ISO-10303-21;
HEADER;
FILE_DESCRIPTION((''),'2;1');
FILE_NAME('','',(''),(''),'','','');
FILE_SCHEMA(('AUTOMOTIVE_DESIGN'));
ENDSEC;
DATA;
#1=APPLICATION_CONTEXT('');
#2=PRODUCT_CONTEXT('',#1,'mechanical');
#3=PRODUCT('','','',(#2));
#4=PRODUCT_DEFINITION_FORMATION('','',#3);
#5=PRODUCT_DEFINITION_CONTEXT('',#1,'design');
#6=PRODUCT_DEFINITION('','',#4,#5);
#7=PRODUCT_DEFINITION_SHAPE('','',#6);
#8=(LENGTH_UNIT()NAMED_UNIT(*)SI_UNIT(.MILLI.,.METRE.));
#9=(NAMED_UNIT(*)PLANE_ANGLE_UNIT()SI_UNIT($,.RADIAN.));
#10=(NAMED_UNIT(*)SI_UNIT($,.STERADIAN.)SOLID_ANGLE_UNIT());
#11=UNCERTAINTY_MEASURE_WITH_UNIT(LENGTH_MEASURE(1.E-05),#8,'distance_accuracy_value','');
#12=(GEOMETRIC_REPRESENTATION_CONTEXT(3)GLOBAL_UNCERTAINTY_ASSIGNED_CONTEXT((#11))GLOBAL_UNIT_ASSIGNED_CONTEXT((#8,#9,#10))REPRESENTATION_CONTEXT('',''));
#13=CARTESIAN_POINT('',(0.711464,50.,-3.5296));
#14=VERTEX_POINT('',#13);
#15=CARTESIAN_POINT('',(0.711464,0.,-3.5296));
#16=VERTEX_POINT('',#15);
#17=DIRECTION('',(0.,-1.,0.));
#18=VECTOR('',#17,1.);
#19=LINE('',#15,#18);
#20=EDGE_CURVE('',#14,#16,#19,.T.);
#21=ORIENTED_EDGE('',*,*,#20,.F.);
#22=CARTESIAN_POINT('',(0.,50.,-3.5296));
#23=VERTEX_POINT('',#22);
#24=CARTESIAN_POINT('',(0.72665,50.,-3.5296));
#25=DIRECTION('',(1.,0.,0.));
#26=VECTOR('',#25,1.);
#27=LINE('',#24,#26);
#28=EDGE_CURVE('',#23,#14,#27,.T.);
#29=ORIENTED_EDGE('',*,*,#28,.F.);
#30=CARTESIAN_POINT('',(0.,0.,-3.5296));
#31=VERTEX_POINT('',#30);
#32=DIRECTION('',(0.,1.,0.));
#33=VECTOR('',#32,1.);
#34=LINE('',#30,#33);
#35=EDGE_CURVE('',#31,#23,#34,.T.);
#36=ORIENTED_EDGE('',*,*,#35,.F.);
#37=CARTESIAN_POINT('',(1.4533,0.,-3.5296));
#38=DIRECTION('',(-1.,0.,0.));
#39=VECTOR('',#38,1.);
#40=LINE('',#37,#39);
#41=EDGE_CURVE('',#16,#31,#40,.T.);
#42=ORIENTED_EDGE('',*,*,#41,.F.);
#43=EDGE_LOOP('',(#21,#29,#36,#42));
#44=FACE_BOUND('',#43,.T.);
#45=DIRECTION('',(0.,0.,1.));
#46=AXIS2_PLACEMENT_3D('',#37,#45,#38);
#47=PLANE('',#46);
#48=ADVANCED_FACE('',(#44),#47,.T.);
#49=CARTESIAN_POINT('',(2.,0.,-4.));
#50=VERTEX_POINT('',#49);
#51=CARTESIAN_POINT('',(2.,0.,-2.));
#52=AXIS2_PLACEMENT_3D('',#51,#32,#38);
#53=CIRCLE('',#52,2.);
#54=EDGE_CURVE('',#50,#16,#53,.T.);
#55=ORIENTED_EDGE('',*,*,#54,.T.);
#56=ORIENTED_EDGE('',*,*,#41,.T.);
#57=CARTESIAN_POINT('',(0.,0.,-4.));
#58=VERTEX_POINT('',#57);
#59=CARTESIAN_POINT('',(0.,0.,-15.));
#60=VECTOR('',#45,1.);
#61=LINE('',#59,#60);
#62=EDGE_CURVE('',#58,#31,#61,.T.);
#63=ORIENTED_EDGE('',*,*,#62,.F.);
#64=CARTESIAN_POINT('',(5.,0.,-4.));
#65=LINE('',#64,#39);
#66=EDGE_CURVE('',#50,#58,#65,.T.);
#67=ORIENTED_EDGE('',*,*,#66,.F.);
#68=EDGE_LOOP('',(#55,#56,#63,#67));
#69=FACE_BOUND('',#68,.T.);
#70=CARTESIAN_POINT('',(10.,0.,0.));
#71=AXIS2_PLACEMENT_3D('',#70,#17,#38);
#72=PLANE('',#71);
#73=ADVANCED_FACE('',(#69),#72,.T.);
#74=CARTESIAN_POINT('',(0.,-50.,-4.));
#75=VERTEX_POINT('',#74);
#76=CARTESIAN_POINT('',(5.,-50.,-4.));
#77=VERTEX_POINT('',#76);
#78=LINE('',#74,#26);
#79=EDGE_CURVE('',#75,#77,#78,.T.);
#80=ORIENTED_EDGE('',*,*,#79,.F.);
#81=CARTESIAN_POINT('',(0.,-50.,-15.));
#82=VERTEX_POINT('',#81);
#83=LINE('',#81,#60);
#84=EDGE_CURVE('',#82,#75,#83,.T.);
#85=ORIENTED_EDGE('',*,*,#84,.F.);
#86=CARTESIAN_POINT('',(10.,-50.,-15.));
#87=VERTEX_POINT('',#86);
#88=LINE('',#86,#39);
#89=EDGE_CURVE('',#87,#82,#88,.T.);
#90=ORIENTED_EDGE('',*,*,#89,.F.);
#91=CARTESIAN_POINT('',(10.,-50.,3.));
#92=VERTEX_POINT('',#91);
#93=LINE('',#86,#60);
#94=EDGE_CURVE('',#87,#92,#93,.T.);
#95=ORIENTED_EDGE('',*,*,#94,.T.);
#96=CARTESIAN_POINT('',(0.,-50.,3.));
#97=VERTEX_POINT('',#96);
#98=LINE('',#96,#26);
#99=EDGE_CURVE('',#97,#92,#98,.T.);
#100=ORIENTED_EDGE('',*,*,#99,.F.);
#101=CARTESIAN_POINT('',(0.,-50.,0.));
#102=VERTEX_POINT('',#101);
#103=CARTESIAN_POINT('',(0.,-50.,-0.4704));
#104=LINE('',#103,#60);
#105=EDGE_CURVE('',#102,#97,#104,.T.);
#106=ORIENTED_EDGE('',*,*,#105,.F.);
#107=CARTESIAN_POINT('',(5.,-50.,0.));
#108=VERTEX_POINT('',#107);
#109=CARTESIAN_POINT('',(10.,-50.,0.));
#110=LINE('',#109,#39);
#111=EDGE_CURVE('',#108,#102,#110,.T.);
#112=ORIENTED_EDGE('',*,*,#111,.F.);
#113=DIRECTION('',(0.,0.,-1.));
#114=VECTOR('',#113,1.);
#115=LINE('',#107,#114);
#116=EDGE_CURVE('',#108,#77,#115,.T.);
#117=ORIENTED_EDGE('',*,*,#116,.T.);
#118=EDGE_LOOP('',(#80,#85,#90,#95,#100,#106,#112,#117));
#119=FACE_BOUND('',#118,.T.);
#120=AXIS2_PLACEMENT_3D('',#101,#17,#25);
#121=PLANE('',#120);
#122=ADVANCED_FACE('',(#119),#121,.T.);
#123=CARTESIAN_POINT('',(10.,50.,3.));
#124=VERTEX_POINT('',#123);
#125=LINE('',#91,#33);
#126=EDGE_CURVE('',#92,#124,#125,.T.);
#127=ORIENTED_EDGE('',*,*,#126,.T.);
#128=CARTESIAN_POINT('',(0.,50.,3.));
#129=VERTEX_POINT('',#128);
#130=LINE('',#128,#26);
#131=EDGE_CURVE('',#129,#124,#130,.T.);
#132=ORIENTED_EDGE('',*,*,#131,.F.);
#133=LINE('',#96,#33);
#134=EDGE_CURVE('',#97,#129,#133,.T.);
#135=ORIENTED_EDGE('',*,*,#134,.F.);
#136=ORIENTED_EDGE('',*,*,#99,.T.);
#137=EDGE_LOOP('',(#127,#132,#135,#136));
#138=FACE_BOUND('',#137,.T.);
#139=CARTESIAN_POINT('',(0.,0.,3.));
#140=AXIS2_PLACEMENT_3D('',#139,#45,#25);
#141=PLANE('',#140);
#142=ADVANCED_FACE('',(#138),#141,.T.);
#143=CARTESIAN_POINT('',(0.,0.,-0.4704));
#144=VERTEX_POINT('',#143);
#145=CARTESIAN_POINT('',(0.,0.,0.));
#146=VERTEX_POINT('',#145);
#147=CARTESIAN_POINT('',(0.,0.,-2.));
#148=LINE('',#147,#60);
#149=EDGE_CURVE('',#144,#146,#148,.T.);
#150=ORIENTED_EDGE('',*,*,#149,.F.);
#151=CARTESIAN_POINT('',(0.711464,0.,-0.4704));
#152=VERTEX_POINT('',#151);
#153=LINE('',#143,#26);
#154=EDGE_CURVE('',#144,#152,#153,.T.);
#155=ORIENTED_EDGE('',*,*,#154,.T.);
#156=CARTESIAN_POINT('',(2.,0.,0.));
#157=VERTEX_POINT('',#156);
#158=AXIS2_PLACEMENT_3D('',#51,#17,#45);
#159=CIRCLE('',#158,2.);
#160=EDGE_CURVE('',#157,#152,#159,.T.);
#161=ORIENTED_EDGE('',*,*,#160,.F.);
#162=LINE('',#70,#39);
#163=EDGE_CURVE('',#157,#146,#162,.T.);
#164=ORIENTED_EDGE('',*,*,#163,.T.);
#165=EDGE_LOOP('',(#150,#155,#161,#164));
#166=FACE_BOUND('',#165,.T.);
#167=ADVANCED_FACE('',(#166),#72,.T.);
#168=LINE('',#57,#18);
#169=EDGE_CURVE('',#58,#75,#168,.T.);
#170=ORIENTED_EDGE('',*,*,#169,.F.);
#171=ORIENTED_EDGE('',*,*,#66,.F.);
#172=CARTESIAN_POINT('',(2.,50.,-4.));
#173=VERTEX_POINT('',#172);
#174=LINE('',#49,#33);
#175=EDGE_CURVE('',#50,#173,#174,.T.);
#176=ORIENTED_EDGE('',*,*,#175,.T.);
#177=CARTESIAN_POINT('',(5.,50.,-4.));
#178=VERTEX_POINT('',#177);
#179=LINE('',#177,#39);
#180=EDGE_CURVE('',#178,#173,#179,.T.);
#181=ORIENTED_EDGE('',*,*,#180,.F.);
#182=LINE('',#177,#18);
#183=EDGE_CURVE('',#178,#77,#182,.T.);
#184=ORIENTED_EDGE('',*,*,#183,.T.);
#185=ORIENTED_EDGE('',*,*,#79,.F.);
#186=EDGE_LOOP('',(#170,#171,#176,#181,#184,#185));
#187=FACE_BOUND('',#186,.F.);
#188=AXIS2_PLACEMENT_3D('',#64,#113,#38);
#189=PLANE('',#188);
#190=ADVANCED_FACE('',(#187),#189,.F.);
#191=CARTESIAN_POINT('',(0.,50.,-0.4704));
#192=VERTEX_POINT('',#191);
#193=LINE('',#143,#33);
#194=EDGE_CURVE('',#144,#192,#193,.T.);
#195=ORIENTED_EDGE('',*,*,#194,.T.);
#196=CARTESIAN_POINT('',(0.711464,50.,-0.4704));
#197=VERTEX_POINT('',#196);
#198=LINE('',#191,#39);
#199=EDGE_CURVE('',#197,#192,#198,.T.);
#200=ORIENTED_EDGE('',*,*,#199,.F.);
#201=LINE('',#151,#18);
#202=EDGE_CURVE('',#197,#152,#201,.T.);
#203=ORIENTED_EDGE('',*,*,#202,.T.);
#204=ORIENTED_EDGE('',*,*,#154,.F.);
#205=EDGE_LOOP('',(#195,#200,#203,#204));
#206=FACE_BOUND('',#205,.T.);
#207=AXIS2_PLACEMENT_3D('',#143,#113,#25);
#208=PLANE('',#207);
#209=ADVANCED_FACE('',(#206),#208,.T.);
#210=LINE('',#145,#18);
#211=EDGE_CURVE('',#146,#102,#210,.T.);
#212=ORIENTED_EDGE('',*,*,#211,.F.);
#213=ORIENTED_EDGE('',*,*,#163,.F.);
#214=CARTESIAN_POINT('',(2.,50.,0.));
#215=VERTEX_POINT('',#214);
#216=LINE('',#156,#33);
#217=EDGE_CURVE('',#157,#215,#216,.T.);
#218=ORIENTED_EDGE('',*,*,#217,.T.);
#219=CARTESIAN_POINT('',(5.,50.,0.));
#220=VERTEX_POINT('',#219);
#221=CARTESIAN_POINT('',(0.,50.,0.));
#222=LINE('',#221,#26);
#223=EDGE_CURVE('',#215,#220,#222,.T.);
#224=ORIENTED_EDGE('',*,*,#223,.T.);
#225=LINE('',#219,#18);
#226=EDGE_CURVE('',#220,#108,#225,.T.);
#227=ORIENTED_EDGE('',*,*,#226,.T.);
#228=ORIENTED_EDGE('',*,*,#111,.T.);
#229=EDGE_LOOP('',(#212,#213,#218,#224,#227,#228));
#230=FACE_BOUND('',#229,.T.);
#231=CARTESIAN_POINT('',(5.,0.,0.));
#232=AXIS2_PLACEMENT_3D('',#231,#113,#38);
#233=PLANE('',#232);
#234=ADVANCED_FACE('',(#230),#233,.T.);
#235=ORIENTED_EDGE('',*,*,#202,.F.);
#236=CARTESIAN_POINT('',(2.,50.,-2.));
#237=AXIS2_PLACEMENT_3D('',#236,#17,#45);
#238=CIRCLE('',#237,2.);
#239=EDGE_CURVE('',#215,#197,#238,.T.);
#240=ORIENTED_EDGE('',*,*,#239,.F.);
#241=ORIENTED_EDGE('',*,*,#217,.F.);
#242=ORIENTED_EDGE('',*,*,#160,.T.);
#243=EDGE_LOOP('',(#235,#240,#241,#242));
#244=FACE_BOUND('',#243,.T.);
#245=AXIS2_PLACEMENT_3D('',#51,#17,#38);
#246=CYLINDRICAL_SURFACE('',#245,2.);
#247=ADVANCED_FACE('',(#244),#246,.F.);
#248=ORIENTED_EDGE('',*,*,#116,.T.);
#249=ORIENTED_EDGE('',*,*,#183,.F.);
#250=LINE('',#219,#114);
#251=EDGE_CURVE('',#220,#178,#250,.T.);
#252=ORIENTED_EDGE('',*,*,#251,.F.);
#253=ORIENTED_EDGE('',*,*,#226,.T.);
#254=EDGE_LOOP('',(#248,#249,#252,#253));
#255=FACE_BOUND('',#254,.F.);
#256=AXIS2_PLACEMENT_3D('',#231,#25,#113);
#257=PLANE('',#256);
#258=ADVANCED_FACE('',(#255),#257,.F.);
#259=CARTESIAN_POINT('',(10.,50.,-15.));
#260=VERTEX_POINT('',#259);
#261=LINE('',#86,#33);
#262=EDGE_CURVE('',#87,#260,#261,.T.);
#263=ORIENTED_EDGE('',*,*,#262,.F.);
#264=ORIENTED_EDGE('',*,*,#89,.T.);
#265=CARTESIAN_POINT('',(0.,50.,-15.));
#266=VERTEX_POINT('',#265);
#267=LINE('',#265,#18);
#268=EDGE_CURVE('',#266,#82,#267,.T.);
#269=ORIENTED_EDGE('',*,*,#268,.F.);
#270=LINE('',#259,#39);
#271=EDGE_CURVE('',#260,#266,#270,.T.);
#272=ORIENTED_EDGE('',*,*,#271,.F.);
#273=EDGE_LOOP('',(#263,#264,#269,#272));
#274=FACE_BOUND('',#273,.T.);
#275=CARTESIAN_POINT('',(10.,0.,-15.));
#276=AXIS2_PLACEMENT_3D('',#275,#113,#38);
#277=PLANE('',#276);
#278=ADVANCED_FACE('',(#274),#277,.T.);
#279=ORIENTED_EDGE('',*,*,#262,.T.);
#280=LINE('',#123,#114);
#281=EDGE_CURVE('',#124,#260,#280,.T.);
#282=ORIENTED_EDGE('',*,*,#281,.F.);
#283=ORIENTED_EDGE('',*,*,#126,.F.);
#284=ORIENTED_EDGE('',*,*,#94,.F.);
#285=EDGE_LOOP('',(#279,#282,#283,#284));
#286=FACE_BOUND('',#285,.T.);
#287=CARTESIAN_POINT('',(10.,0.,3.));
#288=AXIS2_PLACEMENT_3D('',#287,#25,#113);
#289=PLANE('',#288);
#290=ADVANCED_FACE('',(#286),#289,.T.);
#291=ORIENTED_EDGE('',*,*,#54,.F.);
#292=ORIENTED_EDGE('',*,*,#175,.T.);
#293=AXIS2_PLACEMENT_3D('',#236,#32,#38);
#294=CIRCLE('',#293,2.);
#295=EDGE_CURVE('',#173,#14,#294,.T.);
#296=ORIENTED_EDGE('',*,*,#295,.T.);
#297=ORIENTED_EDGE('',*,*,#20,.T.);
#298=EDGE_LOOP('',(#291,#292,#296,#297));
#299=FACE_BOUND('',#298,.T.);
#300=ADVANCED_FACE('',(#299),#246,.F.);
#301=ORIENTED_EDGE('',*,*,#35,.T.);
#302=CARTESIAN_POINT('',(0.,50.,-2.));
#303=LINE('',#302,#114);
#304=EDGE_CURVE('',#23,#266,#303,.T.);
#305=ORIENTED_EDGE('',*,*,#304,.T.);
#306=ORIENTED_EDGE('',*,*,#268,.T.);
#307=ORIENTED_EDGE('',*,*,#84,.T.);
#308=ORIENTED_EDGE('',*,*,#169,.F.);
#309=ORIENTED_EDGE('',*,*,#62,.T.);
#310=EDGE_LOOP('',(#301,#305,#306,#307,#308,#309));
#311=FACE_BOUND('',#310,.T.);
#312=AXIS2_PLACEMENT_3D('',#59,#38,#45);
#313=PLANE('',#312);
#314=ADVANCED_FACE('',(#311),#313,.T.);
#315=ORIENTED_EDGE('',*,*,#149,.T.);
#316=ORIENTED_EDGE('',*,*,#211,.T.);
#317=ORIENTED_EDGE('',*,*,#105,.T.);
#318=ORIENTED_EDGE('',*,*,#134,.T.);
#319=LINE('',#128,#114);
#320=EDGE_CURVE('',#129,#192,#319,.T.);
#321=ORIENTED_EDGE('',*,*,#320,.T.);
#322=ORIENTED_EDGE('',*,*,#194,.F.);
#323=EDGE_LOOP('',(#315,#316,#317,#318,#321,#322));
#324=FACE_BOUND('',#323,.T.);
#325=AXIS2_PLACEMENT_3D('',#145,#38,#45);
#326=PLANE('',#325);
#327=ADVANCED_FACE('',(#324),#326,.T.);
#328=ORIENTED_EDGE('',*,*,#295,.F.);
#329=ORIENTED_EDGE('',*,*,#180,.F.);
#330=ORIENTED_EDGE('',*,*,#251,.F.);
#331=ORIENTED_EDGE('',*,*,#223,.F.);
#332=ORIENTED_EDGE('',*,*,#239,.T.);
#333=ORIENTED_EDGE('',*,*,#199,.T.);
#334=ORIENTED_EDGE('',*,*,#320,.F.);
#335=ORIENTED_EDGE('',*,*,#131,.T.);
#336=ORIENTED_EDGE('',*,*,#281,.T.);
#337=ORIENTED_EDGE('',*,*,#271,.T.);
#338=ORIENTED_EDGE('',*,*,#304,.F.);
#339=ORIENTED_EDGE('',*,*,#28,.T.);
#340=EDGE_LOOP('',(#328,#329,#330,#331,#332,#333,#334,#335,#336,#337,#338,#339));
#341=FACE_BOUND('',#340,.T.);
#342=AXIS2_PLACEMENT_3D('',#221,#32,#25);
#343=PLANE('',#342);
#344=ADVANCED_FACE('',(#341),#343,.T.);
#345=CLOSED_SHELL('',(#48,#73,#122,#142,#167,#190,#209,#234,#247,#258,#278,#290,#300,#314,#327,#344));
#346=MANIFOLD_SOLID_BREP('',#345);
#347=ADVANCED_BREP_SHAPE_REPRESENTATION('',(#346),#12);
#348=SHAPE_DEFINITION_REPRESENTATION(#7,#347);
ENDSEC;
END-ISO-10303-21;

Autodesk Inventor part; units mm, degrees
ref_plane "YZ Plane" through (0, 0, 0) normal (1, 0, 0) x (0, 1, 0)
ref_plane "XZ Plane" through (0, 0, 0) normal (0, 1, 0) x (-1, 0, 0)
ref_plane "XY Plane" through (0, 0, 0) normal (0, 0, 1) x (1, 0, 0)
sketch "Sketch1" plane through (0, 0, 0) normal (0, 1, 0) x (-1, 0, 0)
  point P0 (0, 0)
sketch "Sketch2" plane through (0, 0, 0) normal (0, 1, 0) x (-1, 0, 0)
  line L0 (0, 0) -> (-5, 0)
  line L1 (-5, 0) -> (-5, -4)
  line L2 (-5, -4) -> (0, -4)
  line L3 (0, -4) -> (0, 0)
  line L4 (0, 0) -> (-10, 0)
  line L5 (-10, 0) -> (-10, -15)
  line L6 (-10, -15) -> (0, -15)
  line L7 (0, -15) -> (0, 0)
  circle A0 centre (-2, -2) radius 2
  point P0 (-2, 0)
  point P1 (0, -2)
  point P2 (-2, -4)
  dimension "d0" = 5
  dimension "d1" = 4
  dimension "d2" = 10
  dimension "d3" = 15
sketch "Sketch3" plane through (0, 0, 0) normal (0, 1, 0) x (-1, 0, 0)
  line L0 (0, 0) -> (0, -4.0004)
  line L1 (0, -4.0004) -> (0, -2.0004)
  line L2 (0, -4.0004) -> (-2.5, -4.0004)
  dimension "d4" = 2
  dimension "d5" = 2.5
extrude "Extrusion1" add sketch "Sketch2" along normal blind 50 contours L3 A0 L0 | L3 L2 A0 | L1 L2 L7 L6 L5 L4
sketch "Sketch4" plane through (5, 0, 0) normal (0, 0, 1) x (1, 0, 0)
  line L0 (-5, 0) -> (-5, 50) projected
  line L1 (-5, 50) -> (5, 50)
  line L2 (5, 50) -> (5, 0)
  line L3 (5, 0) -> (-5, 0)
  line L4 (-5, 0) -> (-5, 50)
extrude "Extrusion2" add sketch "Sketch4" along normal blind 3
sketch "Sketch5" plane through (0, 0, 0) normal (0, -1, 0) x (1, 0, 0)
  arc A0 (2, 0) -> (0, -2) centre (2, -2) ccw projected
  line L0 (0, -3.5296) -> (0, -0.4704)
  line L1 (0, -0.4704) -> (1.4533, -0.4704)
  line L2 (1.4533, -0.4704) -> (1.4533, -3.5296)
  line L3 (1.4533, -3.5296) -> (0, -3.5296)
  line L4 (0, -3.5296) -> (0, -0.4704)
  point P0 (0, 0)
  point P1 (0.7115, -0.4704)
extrude "Extrusion3" cut sketch "Sketch5" against normal blind 200 contours L1 L2 L3 L0 A0
sketch "Sketch6" plane through (0, 0, 0) normal (0, -1, 0) x (1, 0, 0)
  line L0 (0, -2) -> (0, 3) projected
  line L1 (0, -0.4704) -> (1.2121, -0.4704)
  line L2 (1.2121, -0.4704) -> (1.2121, -2.1829)
  line L3 (1.2121, -2.1829) -> (0, -2.1829)
  line L4 (0, -2.1829) -> (0, -0.4704)
  point P0 (0, 0)
extrude "Extrusion4" cut sketch "Sketch6" against normal blind 200
sketch "Sketch7" plane through (0, 50, 0) normal (0, 1, 0) x (1, 0, 0)
  point P0 (0, 0)
extrude "Extrusion5" add sketch "Sketch2" against normal blind 50 contours L1 L2 L7 L6 L5 L4
sketch "Sketch8" plane through (0, 0, 0) normal (0, -1, 0) x (1, 0, 0)
  line L0 (5, 0) -> (10, 0) projected
  line L1 (0, -0.4704) -> (0, 3) projected
  line L2 (10, 0) -> (0, 0)
  line L3 (0, 0) -> (0, 3)
  line L4 (0, 3) -> (10, 3)
  line L5 (10, 3) -> (10, 0)
extrude "Extrusion6" add sketch "Sketch8" along normal blind 50
sketch "Sketch9" plane through (0, 0, 0) normal (0, -1, 0) x (1, 0, 0)
  point P0 (0, 0)
properties part number "basebody"
